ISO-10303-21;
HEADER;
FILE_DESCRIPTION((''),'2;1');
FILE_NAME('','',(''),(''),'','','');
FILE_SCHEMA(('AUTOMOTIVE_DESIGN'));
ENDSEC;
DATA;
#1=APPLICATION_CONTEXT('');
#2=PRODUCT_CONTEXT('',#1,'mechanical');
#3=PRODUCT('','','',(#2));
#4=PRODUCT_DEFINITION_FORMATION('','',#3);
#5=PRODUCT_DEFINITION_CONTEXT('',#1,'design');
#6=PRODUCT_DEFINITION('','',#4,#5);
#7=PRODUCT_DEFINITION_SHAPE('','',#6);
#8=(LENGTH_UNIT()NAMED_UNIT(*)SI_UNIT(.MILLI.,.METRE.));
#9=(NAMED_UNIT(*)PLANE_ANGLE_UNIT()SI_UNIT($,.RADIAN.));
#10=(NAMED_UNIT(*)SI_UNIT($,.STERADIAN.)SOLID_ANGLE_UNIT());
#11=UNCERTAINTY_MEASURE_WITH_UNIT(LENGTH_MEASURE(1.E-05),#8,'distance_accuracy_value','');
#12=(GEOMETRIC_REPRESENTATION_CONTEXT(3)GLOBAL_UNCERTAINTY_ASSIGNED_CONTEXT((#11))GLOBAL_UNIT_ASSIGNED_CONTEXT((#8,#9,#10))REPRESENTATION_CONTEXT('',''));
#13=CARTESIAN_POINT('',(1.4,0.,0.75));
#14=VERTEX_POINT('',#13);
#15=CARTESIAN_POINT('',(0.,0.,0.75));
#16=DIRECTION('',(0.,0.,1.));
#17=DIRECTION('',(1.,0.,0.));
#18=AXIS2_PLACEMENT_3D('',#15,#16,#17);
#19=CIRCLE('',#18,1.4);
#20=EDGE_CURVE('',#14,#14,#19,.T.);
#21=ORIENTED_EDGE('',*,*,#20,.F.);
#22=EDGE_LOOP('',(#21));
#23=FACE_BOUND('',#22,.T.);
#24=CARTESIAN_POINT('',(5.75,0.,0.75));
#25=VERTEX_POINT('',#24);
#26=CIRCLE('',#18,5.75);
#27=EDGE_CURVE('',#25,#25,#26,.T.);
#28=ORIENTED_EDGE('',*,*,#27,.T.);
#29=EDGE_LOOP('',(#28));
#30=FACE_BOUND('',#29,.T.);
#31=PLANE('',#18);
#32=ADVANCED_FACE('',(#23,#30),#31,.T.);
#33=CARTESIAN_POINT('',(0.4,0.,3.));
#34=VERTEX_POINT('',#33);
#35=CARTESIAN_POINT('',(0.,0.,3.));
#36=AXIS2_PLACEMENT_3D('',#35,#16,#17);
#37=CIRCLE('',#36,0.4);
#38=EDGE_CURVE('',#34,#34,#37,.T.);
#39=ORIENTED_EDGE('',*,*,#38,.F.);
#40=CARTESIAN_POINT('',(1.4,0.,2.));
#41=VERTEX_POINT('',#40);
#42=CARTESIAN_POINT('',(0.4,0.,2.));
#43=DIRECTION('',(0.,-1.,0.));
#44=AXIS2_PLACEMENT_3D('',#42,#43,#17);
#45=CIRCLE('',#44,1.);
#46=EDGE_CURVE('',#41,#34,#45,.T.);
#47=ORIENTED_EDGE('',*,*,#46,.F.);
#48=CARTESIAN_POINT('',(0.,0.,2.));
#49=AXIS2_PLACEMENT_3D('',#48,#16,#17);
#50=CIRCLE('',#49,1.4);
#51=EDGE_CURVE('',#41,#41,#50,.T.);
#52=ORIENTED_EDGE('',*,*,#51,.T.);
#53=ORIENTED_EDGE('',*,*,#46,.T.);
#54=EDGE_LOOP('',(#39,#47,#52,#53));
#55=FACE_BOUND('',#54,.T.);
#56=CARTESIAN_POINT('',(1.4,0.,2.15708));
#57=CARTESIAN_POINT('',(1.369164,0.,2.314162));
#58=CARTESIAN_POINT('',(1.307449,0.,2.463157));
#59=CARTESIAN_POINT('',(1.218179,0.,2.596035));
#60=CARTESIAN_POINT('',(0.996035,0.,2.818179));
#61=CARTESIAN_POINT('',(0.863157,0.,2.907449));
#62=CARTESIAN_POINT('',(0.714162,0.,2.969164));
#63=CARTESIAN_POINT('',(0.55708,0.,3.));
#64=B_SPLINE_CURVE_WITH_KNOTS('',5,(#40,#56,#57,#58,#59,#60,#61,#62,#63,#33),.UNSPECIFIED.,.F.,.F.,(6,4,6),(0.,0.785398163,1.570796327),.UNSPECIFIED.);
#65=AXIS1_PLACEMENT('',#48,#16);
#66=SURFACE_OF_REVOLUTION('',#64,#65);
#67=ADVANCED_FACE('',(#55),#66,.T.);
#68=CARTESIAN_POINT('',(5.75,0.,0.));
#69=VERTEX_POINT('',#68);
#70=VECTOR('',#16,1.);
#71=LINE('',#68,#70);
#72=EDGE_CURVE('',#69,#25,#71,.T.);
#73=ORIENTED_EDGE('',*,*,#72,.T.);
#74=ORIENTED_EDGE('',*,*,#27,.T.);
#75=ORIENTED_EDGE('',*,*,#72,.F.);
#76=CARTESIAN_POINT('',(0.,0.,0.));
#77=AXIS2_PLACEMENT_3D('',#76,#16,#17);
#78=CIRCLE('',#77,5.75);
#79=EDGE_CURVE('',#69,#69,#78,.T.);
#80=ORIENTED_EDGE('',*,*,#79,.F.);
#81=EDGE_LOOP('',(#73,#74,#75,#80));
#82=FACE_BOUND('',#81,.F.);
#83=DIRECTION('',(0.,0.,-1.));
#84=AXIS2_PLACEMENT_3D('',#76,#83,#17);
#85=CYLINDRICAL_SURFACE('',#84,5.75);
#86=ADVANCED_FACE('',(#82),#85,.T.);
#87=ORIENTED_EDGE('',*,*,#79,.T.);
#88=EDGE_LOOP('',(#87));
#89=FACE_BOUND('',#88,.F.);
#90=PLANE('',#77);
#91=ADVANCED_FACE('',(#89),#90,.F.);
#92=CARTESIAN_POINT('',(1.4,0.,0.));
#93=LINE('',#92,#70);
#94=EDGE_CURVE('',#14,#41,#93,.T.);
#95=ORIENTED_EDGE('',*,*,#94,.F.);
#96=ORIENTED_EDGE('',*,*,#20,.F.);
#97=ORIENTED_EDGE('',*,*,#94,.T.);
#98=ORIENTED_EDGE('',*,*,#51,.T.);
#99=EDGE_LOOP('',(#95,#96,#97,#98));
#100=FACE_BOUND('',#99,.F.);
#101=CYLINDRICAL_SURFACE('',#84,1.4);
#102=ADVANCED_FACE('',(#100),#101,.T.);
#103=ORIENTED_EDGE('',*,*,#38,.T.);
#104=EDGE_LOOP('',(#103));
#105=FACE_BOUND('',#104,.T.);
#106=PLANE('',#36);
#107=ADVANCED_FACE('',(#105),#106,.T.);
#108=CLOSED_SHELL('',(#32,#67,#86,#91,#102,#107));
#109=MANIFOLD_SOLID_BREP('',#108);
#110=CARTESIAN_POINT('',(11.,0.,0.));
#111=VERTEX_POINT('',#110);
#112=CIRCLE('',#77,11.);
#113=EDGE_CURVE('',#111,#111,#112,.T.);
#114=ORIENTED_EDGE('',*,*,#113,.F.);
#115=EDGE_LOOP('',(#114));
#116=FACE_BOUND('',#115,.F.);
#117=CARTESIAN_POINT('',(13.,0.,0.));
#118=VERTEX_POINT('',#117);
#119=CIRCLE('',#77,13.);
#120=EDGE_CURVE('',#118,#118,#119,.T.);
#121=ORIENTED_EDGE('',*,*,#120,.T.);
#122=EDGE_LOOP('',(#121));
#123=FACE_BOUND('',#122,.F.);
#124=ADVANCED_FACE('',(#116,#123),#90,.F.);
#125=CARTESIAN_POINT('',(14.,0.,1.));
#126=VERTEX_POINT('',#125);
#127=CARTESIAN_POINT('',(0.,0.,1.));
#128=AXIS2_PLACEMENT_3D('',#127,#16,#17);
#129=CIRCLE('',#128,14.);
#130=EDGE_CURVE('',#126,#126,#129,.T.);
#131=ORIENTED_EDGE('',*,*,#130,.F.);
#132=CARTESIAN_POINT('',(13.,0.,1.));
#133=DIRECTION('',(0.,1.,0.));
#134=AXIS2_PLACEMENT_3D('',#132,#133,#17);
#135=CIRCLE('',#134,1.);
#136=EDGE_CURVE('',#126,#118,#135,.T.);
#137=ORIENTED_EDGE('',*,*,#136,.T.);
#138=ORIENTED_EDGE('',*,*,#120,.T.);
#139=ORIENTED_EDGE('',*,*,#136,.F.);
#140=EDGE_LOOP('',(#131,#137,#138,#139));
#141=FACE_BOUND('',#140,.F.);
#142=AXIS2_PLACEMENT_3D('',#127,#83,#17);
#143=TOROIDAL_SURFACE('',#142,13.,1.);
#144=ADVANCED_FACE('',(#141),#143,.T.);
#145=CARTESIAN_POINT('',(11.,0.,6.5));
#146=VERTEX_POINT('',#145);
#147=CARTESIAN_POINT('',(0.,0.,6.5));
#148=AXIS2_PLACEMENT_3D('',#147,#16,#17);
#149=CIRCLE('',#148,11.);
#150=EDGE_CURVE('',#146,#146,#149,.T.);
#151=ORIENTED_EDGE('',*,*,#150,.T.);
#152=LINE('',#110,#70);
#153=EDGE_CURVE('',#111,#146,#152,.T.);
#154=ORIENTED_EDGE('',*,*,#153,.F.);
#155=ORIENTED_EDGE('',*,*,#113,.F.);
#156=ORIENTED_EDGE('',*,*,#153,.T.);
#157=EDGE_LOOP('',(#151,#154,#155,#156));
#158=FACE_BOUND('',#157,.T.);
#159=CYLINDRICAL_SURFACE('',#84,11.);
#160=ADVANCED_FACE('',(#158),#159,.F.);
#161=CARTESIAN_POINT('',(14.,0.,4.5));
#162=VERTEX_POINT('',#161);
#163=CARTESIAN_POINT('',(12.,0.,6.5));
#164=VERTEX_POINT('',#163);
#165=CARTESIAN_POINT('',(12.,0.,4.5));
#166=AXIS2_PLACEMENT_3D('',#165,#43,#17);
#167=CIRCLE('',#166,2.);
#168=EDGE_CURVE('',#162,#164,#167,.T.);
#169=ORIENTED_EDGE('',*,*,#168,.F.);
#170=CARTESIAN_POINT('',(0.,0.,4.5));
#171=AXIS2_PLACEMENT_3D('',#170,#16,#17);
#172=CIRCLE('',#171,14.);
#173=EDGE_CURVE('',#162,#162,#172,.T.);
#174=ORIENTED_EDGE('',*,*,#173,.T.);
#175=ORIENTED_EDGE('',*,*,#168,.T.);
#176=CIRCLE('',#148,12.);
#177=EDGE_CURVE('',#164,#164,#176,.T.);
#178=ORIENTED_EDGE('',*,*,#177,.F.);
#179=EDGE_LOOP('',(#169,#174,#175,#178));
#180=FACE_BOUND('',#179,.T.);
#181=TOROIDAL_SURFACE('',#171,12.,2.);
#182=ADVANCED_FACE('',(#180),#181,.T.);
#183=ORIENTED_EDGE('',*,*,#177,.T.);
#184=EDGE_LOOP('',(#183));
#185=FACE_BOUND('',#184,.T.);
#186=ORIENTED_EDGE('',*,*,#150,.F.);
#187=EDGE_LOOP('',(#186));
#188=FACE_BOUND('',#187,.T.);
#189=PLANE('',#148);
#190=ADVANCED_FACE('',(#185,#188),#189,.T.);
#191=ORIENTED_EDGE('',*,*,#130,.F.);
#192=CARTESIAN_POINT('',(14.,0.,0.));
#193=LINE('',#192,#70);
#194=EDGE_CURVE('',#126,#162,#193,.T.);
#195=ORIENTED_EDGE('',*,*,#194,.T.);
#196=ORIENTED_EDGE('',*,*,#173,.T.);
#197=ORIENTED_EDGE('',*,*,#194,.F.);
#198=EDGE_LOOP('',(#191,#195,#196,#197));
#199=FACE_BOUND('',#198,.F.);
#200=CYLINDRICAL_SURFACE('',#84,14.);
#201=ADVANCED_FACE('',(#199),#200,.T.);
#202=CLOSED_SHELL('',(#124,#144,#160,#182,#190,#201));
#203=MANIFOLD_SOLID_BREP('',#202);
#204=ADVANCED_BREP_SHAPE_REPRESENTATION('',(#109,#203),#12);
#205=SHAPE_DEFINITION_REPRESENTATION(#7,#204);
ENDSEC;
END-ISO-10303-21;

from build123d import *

# Parameters (mm, degrees)
F0_R     = 14
F0_R_2   = 11
F1_DEPTH = 6.5
F2_R     = 2
F3_R     = 1
F4_R     = 5.75
F4_R_2   = 1.4
F5_DEPTH = 0.75
F6_DEPTH = 3
F7_R     = 1


with BuildPart() as f1:
    # F0 (on Top) → F1 (new body)
    with BuildSketch(Plane.XY):
        Circle(F0_R)
        Circle(F0_R_2, mode=Mode.SUBTRACT)
    extrude(amount=F1_DEPTH)

    # F2
    f2_edges = [f1.edges().sort_by_distance(p)[0] for p in [
        (-14, 0, 6.5),
    ]]
    fillet(f2_edges, radius=F2_R)

    # F3
    f3_edges = [f1.edges().sort_by_distance(p)[0] for p in [
        (-14, 0, 0),
    ]]
    fillet(f3_edges, radius=F3_R)


with BuildPart() as f5:
    # F4 (on Top) → F5 (new body)
    with BuildSketch(Plane.XY):
        Circle(F4_R)
        Circle(F4_R_2, mode=Mode.SUBTRACT)
    extrude(amount=F5_DEPTH)

    # F4 (on Top) → F6 (join)
    with BuildSketch(Plane.XY):
        Circle(F4_R_2)
    extrude(amount=F6_DEPTH)

    # F7
    f7_edges = [f5.edges().sort_by_distance(p)[0] for p in [
        (-1.4, 0, 3),
    ]]
    fillet(f7_edges, radius=F7_R)


solid = Compound([f1.part, f5.part])
